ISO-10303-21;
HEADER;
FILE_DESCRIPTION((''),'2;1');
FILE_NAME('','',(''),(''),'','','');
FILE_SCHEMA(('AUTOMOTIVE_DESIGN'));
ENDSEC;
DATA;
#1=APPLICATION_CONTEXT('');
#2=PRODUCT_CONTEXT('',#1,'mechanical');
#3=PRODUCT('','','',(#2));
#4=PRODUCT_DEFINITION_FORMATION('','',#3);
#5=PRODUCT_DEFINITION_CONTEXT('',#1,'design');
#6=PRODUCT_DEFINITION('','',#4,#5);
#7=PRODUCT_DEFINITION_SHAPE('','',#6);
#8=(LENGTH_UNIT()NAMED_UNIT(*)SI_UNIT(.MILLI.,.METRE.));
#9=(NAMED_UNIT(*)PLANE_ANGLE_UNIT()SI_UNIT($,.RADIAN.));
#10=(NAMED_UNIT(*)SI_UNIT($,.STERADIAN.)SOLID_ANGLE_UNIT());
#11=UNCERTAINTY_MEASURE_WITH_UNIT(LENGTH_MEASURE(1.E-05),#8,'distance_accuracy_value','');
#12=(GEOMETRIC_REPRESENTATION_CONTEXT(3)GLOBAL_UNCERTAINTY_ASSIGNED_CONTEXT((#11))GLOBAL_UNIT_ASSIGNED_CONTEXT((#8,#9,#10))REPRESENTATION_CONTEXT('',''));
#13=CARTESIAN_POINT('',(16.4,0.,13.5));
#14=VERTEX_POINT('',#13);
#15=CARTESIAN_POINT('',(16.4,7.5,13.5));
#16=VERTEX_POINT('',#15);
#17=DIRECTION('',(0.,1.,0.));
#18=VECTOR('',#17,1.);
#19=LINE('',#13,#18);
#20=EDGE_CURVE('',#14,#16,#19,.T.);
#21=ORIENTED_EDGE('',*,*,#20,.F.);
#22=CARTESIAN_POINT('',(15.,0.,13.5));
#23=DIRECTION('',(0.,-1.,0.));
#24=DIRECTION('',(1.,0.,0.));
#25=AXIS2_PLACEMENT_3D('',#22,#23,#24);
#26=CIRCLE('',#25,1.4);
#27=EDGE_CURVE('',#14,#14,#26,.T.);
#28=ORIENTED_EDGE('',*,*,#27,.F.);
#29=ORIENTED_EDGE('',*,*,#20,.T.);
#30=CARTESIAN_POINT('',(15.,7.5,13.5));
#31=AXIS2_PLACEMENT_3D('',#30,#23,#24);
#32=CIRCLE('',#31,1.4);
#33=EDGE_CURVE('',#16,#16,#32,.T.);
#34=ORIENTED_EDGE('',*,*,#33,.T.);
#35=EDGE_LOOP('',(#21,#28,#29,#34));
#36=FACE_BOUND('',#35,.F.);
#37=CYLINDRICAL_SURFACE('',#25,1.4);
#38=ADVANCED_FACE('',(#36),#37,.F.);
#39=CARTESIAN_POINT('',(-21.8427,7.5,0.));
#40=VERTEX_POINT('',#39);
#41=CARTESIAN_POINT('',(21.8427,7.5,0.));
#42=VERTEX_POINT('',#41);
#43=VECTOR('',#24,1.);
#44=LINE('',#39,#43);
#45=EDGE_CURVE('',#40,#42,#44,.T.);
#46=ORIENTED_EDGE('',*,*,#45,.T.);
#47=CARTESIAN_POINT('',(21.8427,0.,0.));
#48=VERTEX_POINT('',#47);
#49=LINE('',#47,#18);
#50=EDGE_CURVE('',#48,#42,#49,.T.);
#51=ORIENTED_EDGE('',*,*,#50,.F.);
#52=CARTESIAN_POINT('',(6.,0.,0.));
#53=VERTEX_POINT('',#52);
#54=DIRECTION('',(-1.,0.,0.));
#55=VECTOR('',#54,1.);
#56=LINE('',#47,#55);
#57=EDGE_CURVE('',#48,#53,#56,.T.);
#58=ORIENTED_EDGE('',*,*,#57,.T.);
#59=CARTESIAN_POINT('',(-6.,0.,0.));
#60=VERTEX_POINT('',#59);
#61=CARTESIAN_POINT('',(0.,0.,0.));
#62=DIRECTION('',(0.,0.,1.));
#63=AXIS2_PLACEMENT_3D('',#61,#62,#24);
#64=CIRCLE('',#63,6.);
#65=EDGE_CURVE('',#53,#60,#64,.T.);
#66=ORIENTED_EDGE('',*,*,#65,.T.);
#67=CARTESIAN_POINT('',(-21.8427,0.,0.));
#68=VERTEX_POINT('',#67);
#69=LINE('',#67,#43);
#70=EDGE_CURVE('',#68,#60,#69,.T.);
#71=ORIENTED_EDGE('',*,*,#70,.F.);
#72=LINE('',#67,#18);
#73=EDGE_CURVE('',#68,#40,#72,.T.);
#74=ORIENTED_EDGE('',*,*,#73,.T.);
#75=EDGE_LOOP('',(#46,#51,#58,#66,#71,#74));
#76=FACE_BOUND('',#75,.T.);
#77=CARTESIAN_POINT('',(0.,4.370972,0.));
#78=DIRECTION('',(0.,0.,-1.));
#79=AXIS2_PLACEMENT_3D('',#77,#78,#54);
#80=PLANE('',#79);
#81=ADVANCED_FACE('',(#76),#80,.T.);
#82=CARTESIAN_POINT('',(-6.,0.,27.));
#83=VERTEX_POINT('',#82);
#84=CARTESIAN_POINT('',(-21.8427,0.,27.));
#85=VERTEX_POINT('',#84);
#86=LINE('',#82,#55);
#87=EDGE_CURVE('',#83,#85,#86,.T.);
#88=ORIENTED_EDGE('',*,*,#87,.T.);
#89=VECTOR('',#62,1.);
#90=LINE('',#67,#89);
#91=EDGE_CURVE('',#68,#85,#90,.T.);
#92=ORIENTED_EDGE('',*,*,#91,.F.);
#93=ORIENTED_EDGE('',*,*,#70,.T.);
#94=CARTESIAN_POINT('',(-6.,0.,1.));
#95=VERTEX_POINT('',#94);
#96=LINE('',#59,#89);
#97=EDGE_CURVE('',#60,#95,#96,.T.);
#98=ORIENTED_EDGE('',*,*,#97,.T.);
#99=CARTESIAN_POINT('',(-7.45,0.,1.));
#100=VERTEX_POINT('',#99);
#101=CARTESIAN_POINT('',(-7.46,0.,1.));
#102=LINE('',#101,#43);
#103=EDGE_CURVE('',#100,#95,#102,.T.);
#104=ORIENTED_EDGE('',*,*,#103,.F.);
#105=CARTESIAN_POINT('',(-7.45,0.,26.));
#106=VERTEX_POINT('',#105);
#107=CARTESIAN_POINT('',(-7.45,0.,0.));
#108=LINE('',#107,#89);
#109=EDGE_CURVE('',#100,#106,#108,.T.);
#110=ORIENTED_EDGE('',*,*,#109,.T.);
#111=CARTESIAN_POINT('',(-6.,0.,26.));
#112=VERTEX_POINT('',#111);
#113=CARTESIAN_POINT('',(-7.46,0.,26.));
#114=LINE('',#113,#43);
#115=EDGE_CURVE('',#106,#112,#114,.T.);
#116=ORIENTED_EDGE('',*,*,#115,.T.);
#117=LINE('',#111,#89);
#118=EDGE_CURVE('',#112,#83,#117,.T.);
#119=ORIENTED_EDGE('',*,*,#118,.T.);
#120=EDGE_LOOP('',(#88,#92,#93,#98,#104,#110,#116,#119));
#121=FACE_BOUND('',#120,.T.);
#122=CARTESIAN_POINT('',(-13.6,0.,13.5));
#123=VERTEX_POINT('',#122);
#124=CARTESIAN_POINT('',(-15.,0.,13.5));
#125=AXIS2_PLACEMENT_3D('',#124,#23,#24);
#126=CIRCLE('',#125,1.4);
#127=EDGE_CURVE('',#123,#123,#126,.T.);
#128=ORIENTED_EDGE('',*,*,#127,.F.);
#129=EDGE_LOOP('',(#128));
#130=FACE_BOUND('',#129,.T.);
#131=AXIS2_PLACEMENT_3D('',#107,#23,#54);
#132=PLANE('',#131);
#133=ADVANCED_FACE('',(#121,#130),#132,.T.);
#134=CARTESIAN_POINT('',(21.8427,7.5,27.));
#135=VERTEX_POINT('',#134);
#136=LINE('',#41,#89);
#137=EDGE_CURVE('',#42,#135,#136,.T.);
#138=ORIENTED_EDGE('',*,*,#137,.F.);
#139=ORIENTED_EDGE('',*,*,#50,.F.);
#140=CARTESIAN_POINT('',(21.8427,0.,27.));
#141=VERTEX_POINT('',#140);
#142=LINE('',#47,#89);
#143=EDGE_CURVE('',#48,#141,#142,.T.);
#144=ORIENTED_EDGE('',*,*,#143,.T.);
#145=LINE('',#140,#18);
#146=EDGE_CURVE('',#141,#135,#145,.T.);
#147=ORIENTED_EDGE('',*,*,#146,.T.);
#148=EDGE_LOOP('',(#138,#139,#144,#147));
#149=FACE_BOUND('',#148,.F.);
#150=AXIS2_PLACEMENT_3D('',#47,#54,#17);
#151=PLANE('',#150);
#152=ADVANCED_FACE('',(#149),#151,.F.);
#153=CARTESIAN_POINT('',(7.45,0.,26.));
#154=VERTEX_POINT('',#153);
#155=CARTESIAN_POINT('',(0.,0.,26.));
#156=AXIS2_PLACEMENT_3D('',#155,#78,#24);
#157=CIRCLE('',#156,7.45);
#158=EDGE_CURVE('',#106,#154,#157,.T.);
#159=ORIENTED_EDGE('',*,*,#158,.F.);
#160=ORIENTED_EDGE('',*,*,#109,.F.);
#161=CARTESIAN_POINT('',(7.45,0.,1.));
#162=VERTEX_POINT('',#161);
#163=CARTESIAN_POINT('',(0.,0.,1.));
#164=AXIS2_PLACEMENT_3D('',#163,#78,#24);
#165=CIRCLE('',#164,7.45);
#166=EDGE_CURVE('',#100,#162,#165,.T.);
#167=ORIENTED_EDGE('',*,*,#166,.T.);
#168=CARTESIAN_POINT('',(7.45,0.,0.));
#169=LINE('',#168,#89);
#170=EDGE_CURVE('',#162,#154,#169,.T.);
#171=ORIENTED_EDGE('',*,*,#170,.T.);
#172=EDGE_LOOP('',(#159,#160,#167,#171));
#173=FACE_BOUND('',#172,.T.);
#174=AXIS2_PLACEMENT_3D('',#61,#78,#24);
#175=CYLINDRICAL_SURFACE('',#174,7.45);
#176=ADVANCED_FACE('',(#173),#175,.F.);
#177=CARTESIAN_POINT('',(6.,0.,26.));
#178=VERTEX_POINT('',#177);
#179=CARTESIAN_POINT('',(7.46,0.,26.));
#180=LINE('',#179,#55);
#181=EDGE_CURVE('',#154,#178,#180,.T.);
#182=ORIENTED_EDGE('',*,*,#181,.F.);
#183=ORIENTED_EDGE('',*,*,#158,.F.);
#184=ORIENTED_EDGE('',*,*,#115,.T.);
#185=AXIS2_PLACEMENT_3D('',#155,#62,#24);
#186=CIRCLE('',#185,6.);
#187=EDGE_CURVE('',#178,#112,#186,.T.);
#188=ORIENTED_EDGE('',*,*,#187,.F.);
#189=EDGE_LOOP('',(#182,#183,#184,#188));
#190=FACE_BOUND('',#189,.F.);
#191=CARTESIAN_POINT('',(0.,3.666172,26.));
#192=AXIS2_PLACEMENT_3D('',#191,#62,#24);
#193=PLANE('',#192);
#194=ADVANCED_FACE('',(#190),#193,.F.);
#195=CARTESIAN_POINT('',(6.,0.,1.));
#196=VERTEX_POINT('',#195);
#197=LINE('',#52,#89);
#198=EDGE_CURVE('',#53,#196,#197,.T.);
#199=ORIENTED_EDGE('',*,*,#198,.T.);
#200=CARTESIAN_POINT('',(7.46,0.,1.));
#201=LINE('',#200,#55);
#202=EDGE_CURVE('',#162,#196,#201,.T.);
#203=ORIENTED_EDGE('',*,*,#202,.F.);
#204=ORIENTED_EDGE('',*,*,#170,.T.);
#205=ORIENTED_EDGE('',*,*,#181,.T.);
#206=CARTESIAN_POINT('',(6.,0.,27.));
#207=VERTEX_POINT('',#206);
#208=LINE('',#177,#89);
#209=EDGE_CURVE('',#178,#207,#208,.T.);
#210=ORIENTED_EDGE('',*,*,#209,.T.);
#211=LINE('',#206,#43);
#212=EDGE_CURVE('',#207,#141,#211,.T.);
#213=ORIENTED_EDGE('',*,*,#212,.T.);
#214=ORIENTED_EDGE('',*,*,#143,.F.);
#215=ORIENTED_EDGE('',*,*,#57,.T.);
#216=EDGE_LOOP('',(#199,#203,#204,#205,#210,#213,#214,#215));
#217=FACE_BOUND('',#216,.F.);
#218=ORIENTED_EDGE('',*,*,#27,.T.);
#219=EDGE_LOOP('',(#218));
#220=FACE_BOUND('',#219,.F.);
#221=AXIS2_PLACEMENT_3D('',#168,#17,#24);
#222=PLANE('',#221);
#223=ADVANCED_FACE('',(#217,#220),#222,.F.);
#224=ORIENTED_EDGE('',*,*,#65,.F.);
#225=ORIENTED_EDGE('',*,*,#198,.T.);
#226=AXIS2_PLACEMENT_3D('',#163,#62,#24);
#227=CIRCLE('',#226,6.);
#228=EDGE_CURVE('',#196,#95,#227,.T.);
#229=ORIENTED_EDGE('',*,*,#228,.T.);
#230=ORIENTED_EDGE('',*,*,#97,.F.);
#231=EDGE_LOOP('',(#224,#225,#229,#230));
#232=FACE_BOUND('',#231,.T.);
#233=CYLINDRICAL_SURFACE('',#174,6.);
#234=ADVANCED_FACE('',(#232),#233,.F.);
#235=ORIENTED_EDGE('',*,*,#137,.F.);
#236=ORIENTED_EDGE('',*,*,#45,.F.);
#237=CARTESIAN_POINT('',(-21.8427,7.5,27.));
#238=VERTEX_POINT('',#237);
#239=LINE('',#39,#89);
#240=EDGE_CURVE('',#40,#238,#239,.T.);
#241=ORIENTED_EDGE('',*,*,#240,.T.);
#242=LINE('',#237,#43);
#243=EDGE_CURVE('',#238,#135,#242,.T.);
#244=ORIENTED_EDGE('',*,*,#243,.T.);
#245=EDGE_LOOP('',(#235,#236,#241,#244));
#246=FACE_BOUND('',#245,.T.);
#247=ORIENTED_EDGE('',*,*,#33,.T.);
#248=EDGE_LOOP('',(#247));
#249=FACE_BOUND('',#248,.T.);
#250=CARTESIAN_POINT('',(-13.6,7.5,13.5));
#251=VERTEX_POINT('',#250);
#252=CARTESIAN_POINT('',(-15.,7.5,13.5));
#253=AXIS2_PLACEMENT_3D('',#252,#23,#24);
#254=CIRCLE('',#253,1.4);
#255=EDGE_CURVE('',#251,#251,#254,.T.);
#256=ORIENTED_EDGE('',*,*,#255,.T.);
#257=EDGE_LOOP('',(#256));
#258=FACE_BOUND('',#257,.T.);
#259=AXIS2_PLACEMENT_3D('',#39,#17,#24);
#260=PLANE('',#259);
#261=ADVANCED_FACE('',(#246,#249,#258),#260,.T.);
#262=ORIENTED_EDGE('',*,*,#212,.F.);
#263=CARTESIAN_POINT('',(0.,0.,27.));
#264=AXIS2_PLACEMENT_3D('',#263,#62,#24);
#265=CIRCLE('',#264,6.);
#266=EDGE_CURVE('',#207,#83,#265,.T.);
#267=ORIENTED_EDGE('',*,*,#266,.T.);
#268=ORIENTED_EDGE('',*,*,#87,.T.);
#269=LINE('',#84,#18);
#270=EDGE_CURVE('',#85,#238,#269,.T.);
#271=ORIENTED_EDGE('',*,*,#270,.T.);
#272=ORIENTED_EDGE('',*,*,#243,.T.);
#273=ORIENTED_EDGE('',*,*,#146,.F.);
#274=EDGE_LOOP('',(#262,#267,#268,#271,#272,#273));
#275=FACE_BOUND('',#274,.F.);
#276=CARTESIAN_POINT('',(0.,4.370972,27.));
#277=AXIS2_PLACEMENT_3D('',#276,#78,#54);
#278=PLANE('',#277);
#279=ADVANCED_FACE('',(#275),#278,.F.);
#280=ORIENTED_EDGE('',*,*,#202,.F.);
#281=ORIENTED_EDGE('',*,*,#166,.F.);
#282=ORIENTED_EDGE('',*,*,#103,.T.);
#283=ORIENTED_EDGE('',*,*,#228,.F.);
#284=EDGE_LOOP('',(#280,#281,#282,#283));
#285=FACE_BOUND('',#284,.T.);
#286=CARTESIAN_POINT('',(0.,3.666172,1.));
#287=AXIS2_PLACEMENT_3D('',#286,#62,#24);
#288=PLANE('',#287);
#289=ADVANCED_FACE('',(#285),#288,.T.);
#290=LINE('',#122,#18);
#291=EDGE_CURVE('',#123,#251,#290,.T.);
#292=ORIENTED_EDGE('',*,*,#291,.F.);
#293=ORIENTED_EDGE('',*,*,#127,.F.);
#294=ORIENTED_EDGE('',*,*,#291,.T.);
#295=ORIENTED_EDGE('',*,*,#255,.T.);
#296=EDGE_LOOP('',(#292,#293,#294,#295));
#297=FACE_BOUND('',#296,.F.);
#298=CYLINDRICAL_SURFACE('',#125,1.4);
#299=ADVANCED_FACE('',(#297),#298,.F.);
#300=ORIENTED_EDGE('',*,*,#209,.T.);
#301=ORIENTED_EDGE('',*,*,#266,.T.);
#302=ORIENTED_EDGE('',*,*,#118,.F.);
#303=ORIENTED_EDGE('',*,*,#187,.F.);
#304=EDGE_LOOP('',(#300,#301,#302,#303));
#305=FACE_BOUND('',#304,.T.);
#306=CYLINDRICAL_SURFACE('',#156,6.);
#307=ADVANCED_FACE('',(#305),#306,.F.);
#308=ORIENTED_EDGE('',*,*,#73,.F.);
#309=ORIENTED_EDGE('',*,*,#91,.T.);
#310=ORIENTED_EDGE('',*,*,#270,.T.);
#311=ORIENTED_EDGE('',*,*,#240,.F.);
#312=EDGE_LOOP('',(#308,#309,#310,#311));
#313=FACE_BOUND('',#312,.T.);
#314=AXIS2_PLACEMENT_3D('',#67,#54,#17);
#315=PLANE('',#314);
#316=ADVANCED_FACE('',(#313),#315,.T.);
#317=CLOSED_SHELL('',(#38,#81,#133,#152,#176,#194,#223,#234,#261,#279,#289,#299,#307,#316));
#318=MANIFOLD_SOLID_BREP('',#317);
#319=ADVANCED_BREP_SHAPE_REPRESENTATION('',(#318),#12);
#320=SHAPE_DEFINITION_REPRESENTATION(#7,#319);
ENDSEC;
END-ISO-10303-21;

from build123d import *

# Parameters (mm, degrees)
SKETCH006_R  = 1.4
PAD004_DEPTH = 7.5
PAD005_DEPTH = 1
PAD_DEPTH    = 1
PAD006_DEPTH = 27


with BuildPart() as mount:
    # Sketch006 → Pad004 (new body)
    with BuildSketch(Plane.XZ):
        with Locations((-15, 13.5)):
            Circle(SKETCH006_R)
        with Locations((15, 13.5)):
            Circle(SKETCH006_R)
    extrude(amount=-PAD004_DEPTH)


with BuildPart() as toplip:
    # Sketch005 → Pad005 (new body)
    with BuildSketch(Plane.XY.offset(26)):
        with BuildLine():
            ThreePointArc((7.46, 0), (0, 7.46), (-7.46, 0))
            Line((-7.46, 0), (-6, 0))
            ThreePointArc((6, 0), (0, 6), (-6, 0))
            Line((7.46, 0), (6, 0))
        make_face()
    extrude(amount=PAD005_DEPTH)


with BuildPart() as bottomlip:
    # Sketch003 → Pad (new body)
    with BuildSketch(Plane.XY):
        with BuildLine():
            ThreePointArc((7.46, 0), (0, 7.46), (-7.46, 0))
            Line((-7.46, 0), (-6, 0))
            ThreePointArc((6, 0), (0, 6), (-6, 0))
            Line((7.46, 0), (6, 0))
        make_face()
    extrude(amount=PAD_DEPTH)


with BuildPart() as final:
    # Sketch → Pad006 (new body)
    with BuildSketch(Plane.XY):
        with BuildLine():
            ThreePointArc((7.45, 0), (0, 7.45), (-7.45, 0))
            Line((-7.45, 0), (-21.8427, 0))
            Line((-21.8427, 0), (-21.8427, 7.5))
            Line((-21.8427, 7.5), (21.8427, 7.5))
            Line((21.8427, 0), (21.8427, 7.5))
            Line((7.45, 0), (21.8427, 0))
        make_face()
    extrude(amount=PAD006_DEPTH)

    # Fusion: union TopLip, BottomLip
    add(toplip.part)
    add(bottomlip.part)

    # Cut: cut Mount
    add(mount.part, mode=Mode.SUBTRACT)


solid = final.part
